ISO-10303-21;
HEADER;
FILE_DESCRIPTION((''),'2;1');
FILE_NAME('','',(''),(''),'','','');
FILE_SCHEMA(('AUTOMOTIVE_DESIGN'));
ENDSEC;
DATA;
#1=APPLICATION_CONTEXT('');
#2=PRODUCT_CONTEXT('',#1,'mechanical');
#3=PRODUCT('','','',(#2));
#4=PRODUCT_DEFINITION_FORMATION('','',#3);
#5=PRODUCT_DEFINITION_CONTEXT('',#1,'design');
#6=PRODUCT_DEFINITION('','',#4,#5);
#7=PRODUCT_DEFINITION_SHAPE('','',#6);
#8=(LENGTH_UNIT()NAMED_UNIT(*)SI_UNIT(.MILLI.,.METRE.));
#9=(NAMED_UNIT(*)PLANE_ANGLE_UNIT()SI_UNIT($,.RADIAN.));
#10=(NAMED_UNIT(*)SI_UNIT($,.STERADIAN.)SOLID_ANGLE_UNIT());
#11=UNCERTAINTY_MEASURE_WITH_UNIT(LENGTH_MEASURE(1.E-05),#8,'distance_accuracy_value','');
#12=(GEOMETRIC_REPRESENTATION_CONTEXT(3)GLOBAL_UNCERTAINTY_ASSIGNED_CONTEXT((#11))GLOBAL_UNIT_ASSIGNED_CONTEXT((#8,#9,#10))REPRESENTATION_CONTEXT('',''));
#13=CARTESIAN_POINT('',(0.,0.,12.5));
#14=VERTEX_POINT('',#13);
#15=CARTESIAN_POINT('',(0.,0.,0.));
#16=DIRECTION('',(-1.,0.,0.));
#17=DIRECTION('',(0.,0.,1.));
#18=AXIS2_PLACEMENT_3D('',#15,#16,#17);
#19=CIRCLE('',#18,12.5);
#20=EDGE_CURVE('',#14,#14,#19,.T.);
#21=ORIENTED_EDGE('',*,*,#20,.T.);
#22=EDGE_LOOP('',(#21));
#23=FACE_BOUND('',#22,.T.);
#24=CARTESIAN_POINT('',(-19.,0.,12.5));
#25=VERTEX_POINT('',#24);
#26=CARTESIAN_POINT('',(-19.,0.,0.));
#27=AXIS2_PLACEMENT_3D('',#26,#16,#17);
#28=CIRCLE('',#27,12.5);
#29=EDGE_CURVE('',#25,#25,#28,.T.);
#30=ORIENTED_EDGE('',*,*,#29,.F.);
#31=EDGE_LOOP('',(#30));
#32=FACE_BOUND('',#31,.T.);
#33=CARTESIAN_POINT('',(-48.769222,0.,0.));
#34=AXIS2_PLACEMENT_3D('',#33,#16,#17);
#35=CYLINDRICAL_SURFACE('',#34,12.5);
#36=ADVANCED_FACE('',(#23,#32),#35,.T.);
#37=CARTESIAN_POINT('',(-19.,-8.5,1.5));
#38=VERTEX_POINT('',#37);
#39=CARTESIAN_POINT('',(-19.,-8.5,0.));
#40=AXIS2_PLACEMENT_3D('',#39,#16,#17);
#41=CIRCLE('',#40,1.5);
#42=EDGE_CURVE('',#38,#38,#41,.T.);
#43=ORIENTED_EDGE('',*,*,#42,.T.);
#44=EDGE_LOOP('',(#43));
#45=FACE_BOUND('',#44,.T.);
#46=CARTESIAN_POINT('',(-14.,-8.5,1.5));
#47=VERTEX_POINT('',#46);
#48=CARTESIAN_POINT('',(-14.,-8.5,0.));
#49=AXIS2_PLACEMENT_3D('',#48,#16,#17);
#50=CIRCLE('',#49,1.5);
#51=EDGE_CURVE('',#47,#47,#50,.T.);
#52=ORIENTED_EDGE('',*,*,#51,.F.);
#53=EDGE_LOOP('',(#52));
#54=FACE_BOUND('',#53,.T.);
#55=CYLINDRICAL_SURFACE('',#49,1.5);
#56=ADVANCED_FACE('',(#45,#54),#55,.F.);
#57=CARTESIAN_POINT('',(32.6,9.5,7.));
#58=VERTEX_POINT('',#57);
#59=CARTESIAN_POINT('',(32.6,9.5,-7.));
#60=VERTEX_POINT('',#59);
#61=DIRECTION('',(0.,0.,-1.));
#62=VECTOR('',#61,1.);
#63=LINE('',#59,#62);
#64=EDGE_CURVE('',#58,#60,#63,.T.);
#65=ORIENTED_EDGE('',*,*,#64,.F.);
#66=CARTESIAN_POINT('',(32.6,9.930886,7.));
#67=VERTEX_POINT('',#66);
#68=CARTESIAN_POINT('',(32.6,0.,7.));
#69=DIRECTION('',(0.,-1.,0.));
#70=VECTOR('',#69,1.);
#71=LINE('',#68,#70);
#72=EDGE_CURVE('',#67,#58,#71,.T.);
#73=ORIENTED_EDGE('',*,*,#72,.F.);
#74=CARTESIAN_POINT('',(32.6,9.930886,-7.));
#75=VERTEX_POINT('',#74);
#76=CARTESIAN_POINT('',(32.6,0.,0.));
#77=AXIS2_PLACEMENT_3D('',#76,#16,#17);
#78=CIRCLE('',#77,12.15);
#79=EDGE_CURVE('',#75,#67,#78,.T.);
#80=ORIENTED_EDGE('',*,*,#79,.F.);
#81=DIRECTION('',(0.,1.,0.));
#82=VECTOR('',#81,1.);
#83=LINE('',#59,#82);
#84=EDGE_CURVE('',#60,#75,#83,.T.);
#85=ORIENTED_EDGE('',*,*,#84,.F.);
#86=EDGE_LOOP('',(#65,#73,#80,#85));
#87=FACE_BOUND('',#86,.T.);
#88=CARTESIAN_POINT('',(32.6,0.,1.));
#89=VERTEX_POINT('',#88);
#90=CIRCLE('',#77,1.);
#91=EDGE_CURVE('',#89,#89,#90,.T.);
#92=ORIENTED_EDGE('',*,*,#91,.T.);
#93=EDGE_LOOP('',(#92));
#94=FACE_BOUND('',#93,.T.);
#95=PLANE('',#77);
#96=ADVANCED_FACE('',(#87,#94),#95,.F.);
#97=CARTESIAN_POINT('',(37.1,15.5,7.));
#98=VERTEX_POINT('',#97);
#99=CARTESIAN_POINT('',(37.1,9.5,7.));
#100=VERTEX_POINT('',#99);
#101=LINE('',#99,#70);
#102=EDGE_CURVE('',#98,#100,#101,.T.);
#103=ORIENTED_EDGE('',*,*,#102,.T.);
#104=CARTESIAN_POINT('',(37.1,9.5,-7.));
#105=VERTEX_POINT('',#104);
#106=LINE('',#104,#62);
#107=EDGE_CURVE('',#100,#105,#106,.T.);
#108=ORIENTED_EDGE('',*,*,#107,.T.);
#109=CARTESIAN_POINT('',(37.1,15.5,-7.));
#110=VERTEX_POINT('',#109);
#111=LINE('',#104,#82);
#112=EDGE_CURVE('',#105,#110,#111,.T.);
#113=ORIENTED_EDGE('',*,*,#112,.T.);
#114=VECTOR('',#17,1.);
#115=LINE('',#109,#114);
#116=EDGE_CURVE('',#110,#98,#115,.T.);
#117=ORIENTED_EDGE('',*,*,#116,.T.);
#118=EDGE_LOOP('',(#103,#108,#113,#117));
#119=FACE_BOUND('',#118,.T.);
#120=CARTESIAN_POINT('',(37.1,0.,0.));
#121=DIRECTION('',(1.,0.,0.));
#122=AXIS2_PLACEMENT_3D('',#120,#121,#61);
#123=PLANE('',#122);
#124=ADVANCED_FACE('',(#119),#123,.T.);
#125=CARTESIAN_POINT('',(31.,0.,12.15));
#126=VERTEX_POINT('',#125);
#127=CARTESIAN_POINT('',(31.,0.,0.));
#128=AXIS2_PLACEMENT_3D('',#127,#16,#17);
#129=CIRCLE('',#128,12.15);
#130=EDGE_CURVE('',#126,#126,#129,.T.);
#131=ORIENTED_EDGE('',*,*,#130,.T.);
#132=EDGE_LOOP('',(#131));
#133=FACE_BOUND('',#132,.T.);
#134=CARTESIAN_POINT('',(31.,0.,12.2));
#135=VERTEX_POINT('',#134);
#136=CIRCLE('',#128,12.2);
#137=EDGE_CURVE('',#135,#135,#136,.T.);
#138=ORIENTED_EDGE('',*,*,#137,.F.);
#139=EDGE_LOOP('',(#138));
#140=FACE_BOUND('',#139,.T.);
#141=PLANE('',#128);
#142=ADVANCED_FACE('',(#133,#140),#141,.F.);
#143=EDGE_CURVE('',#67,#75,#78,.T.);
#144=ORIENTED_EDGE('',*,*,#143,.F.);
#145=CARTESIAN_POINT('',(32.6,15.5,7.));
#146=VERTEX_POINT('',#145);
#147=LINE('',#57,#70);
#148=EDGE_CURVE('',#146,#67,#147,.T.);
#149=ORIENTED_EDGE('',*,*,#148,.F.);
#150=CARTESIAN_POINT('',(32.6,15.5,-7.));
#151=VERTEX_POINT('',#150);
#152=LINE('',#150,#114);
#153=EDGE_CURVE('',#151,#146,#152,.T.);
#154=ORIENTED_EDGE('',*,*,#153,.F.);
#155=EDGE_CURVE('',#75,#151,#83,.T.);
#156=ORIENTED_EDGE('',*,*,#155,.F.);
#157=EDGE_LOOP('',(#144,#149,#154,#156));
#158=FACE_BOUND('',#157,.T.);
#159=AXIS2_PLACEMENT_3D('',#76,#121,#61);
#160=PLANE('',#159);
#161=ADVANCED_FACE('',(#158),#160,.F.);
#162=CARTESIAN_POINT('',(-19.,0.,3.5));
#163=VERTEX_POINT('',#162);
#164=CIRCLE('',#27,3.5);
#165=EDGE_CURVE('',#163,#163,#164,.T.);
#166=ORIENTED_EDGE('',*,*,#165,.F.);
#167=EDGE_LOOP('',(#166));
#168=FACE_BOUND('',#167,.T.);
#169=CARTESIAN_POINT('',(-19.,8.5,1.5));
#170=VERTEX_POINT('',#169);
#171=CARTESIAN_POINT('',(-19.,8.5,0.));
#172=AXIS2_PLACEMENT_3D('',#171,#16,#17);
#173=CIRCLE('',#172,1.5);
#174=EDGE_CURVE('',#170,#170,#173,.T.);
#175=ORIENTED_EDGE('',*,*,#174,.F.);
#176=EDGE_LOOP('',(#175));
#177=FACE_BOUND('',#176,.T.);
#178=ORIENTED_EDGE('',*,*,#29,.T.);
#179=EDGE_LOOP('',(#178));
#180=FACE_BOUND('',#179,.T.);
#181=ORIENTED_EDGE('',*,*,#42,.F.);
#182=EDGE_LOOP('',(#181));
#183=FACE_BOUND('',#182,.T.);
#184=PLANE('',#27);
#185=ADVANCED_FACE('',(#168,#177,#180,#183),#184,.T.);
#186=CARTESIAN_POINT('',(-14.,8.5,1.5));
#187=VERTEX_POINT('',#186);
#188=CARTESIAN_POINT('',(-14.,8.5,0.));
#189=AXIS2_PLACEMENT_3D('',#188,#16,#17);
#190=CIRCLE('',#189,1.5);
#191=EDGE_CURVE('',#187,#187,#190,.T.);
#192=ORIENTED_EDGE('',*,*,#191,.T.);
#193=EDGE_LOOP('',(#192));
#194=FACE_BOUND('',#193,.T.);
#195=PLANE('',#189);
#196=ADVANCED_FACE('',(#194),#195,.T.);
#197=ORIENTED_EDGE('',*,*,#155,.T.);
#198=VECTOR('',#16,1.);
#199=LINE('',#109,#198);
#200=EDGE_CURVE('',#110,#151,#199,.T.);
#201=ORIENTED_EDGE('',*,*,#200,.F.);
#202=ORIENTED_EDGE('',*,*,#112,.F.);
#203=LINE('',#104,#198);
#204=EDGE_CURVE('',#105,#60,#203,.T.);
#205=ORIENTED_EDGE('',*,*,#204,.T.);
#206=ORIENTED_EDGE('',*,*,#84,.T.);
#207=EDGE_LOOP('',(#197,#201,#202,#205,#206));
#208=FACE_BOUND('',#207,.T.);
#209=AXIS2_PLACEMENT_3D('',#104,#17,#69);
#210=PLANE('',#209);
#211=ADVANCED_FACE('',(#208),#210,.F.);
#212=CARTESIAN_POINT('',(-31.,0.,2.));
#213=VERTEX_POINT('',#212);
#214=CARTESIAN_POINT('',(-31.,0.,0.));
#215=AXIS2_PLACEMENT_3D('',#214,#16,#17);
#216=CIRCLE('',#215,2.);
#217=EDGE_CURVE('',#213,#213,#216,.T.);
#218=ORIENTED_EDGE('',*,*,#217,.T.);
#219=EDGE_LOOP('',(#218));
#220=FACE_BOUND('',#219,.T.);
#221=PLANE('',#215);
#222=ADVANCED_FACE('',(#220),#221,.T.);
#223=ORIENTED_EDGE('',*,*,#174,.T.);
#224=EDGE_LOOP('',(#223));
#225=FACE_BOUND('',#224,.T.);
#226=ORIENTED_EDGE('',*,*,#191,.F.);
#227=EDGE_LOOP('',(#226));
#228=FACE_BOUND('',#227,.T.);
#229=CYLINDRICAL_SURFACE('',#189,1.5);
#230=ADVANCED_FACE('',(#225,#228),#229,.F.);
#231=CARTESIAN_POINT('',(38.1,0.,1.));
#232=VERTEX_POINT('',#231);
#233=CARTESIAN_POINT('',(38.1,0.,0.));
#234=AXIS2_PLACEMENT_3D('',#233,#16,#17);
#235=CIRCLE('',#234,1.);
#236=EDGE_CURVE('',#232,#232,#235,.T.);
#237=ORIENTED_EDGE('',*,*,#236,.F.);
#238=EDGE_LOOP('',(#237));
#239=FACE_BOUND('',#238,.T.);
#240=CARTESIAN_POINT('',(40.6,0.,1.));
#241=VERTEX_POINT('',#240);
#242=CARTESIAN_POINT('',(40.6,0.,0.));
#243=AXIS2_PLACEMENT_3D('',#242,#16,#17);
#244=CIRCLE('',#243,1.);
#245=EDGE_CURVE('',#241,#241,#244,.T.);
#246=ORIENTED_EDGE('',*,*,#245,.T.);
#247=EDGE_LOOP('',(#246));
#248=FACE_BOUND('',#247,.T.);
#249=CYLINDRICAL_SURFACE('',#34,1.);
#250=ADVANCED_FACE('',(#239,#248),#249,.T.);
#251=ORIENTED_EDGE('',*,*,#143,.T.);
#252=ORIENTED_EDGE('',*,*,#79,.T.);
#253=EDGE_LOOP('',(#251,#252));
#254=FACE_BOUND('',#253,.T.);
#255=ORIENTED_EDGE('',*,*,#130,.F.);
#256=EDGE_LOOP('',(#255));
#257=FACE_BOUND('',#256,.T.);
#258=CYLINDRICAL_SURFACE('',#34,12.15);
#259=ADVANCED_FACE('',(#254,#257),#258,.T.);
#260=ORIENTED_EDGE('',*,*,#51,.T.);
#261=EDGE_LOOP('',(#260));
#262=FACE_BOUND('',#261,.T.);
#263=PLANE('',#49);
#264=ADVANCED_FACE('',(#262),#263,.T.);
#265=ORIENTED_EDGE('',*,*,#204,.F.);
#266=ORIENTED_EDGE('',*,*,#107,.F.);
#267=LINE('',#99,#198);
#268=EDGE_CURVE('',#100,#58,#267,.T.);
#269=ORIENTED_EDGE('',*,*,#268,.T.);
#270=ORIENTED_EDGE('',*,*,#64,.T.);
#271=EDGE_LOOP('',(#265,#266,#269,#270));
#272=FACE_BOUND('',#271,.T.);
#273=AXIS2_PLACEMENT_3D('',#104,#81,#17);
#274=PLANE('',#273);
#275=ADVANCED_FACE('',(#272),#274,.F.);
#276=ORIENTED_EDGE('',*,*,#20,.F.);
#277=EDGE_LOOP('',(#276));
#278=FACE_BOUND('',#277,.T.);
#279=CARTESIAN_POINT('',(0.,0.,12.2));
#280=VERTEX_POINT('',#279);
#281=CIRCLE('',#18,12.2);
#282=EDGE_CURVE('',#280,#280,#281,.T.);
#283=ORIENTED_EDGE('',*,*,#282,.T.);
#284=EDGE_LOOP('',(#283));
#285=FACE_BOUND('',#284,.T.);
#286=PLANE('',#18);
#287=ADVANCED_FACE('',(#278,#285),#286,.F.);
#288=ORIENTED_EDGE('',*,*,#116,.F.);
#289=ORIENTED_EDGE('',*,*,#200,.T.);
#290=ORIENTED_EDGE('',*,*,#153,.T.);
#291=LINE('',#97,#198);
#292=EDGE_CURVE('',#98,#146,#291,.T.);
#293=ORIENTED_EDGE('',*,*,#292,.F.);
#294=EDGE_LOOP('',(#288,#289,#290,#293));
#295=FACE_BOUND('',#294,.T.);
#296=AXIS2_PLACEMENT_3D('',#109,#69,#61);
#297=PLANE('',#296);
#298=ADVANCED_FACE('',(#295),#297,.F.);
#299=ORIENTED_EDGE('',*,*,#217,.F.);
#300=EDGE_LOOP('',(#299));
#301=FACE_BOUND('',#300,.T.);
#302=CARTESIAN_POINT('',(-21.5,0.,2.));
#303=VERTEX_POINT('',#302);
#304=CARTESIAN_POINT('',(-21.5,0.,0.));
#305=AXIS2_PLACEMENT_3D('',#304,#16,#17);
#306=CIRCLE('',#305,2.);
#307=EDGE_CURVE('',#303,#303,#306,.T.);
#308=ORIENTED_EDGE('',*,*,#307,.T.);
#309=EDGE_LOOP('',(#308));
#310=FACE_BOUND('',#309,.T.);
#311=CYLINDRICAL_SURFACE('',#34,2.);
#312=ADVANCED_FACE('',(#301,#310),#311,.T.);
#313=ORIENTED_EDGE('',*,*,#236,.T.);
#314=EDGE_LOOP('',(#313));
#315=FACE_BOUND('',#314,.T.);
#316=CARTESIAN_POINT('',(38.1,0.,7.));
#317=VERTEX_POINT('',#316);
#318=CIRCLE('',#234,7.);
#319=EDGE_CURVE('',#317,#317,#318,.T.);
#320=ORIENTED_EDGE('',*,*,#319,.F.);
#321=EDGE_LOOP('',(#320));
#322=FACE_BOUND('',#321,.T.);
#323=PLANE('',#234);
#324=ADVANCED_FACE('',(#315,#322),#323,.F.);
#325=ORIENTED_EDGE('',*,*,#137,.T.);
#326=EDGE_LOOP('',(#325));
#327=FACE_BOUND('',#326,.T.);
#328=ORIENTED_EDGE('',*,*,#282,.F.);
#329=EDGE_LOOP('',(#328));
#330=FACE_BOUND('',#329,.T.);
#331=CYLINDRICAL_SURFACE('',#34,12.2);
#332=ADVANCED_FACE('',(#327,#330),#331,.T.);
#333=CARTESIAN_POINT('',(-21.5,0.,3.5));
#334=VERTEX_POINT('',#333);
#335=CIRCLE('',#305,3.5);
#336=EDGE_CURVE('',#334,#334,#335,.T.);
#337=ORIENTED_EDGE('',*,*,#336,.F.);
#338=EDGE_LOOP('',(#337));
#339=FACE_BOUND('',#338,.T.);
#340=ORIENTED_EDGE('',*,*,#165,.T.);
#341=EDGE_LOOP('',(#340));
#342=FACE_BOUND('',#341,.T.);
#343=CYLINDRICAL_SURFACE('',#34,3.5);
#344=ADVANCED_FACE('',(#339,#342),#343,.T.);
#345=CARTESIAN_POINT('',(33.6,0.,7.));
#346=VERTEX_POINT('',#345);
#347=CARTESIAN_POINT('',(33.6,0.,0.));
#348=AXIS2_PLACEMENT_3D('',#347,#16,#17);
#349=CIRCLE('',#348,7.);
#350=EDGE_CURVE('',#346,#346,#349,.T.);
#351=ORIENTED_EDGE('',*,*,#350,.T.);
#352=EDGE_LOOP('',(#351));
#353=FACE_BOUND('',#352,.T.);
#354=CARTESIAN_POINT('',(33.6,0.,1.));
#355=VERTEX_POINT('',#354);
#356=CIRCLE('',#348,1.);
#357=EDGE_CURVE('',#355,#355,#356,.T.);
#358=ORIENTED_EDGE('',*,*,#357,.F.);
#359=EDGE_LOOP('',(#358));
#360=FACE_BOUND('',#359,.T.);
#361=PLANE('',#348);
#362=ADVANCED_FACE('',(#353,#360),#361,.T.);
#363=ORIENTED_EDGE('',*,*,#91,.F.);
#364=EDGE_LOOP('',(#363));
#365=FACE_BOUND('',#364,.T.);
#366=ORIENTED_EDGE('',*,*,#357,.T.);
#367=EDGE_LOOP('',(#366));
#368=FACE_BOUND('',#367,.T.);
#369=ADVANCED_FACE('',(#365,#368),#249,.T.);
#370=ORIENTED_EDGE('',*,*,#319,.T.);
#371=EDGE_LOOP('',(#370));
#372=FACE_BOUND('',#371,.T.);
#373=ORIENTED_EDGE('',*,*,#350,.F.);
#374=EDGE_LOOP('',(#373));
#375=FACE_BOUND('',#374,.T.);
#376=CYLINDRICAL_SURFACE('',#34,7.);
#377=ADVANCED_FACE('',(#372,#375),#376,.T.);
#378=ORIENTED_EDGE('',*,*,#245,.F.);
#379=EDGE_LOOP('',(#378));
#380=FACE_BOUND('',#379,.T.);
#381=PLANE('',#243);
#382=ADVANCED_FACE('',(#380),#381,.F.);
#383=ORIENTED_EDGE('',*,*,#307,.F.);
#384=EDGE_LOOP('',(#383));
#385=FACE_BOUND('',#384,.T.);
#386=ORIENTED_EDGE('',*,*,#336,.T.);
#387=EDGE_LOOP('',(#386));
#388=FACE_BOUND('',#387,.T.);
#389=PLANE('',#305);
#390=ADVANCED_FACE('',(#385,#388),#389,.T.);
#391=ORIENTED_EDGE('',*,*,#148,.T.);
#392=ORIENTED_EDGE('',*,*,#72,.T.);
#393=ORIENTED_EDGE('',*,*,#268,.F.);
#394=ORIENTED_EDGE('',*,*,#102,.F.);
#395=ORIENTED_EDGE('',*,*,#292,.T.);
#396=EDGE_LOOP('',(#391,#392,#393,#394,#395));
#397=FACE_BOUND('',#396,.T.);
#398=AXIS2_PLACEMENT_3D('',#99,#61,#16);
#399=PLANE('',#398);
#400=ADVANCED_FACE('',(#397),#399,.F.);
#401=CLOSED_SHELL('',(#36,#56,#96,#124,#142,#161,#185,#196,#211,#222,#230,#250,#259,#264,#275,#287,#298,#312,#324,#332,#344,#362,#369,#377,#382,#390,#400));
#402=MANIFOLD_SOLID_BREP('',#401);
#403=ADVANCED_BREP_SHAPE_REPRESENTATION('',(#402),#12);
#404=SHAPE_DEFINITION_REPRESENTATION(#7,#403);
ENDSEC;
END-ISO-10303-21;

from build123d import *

# Parameters (mm, degrees)
SKETCH_4_R          = 1.5
CUT_EXTRUDE_1_DEPTH = 5
SKETCH_5_W          = 14
SKETCH_5_H          = 6
EXTRUDE_1_DEPTH     = 4.5


with BuildPart() as part:
    # ｽｹｯﾁ3 → 回転1 (revolve)
    with BuildSketch(Plane(origin=(0, 0, 0), x_dir=(1, 0, 0), z_dir=(0, 1, 0))):
        with BuildLine():
            Line((-31, 0), (-31, -2))
            Line((-31, -2), (-21.5, -2))
            Line((-21.5, -2), (-21.5, -3.5))
            Line((-21.5, -3.5), (-19, -3.5))
            Line((-19, -3.5), (-19, -12.5))
            Line((-19, -12.5), (0, -12.5))
            Line((0, -12.5), (0, -12.2))
            Line((0, -12.2), (31, -12.2))
            Line((31, -12.2), (31, -12.15))
            Line((31, -12.15), (32.6, -12.15))
            Line((32.6, -12.15), (32.6, -1))
            add(Edge.make_bspline(
                [(33.6, -1), (33.266666667, -1), (32.933333333, -1), (32.6, -1)],
                knots=[0, 0, 0, 0, 1, 1, 1, 1], degree=3))
            Line((33.6, -1), (33.6, -7))
            Line((33.6, -7), (38.1, -7))
            Line((38.1, -7), (38.1, -1))
            Line((38.1, -1), (40.6, -1))
            Line((40.6, -1), (40.6, 0))
            Line((40.6, 0), (-31, 0))
        make_face()
    revolve(axis=Axis((-48.769222311, 0, 0), (1, 0, 0)))

    # ｽｹｯﾁ4 → ｶｯﾄ - 押し出し1 (cut)
    with BuildSketch(Plane.ZY.offset(19)):
        with Locations((0, 8.5)):
            Circle(SKETCH_4_R)
        with Locations((0, -8.5)):
            Circle(SKETCH_4_R)
    extrude(amount=-CUT_EXTRUDE_1_DEPTH, mode=Mode.SUBTRACT)

    # ｽｹｯﾁ5 → ﾎﾞｽ - 押し出し1 (add)
    with BuildSketch(Plane(origin=(32.6, 0, 0), x_dir=(0, 0, -1), z_dir=(1, 0, 0))):
        with Locations((0, 12.5)):
            Rectangle(SKETCH_5_W, SKETCH_5_H)
    extrude(amount=EXTRUDE_1_DEPTH)


solid = part.part
